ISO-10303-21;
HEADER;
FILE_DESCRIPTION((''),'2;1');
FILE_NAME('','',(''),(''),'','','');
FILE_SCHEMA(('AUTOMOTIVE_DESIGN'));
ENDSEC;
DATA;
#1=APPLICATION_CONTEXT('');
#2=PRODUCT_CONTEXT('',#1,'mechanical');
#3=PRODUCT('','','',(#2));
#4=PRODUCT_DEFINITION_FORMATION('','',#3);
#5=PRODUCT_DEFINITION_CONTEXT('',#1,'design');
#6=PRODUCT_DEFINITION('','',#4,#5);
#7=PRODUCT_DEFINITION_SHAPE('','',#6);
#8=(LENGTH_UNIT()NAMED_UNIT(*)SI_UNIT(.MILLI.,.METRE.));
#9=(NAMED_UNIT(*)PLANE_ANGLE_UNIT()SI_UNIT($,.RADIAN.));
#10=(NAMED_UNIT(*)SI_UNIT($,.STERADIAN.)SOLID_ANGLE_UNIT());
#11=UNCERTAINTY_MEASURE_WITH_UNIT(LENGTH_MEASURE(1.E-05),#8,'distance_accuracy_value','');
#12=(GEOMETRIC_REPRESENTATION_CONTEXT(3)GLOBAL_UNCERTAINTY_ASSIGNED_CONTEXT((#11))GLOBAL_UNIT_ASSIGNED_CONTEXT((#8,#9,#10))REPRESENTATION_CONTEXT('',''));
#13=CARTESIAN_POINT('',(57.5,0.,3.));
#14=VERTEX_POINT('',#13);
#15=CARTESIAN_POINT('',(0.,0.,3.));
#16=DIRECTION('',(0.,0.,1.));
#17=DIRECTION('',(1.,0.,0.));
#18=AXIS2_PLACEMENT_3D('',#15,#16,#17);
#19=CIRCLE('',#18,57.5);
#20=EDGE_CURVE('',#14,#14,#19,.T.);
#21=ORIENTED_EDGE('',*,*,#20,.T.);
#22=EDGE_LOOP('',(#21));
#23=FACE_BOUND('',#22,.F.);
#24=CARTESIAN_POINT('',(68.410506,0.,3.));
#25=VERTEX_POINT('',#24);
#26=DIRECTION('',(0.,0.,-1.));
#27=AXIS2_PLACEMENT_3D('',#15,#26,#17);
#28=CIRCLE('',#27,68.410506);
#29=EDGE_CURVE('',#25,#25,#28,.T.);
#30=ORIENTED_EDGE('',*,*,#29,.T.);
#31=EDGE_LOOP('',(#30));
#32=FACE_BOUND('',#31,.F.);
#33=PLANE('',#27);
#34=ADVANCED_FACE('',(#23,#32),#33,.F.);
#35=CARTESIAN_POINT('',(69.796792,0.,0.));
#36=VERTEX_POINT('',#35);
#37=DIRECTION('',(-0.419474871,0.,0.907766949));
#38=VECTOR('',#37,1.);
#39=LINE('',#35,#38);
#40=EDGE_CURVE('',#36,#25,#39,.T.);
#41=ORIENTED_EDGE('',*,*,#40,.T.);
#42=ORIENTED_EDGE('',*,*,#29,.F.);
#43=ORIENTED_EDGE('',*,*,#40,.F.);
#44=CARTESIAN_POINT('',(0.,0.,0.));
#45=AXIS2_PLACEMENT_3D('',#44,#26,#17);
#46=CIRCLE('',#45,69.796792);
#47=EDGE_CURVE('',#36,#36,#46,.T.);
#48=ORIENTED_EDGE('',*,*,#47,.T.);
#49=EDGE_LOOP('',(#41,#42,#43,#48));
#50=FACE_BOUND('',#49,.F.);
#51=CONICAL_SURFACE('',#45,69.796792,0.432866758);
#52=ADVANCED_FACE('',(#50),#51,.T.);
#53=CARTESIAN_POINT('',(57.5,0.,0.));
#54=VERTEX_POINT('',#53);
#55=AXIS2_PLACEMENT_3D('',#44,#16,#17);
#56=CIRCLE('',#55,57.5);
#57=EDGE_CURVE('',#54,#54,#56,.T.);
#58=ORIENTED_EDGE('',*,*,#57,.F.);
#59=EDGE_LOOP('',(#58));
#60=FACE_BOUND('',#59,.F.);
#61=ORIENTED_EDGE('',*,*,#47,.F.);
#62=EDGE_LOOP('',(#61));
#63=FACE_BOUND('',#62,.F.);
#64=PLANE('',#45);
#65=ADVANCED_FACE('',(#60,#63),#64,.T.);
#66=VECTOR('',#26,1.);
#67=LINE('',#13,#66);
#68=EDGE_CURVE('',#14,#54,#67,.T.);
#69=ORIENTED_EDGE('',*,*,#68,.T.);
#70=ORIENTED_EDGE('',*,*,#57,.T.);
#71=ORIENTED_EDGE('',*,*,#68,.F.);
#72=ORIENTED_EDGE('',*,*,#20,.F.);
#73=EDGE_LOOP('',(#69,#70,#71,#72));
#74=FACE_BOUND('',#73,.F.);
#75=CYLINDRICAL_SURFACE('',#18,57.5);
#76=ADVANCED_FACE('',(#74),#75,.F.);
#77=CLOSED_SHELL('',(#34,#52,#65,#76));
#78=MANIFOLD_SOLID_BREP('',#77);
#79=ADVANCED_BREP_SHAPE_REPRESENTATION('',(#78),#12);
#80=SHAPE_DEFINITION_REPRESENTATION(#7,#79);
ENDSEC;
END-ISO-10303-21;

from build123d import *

# Parameters (mm, degrees)
F2_R     = 57.5
F3_DEPTH = 3


with BuildPart() as f1:
    # F0 (on Front) → F1 (revolve)
    with BuildSketch(Plane.XZ):
        Polygon((69.796792, 0), (68.410506, 3), (0, 3), (0, 0), align=None)
    revolve(axis=Axis((0, 0, 1.5), (0, 0, -1)))

    # F2 (on face) → F3 (cut)
    with BuildSketch(Plane.XY.offset(3)):
        Circle(F2_R)
    extrude(amount=-F3_DEPTH, mode=Mode.SUBTRACT)


solid = f1.part
